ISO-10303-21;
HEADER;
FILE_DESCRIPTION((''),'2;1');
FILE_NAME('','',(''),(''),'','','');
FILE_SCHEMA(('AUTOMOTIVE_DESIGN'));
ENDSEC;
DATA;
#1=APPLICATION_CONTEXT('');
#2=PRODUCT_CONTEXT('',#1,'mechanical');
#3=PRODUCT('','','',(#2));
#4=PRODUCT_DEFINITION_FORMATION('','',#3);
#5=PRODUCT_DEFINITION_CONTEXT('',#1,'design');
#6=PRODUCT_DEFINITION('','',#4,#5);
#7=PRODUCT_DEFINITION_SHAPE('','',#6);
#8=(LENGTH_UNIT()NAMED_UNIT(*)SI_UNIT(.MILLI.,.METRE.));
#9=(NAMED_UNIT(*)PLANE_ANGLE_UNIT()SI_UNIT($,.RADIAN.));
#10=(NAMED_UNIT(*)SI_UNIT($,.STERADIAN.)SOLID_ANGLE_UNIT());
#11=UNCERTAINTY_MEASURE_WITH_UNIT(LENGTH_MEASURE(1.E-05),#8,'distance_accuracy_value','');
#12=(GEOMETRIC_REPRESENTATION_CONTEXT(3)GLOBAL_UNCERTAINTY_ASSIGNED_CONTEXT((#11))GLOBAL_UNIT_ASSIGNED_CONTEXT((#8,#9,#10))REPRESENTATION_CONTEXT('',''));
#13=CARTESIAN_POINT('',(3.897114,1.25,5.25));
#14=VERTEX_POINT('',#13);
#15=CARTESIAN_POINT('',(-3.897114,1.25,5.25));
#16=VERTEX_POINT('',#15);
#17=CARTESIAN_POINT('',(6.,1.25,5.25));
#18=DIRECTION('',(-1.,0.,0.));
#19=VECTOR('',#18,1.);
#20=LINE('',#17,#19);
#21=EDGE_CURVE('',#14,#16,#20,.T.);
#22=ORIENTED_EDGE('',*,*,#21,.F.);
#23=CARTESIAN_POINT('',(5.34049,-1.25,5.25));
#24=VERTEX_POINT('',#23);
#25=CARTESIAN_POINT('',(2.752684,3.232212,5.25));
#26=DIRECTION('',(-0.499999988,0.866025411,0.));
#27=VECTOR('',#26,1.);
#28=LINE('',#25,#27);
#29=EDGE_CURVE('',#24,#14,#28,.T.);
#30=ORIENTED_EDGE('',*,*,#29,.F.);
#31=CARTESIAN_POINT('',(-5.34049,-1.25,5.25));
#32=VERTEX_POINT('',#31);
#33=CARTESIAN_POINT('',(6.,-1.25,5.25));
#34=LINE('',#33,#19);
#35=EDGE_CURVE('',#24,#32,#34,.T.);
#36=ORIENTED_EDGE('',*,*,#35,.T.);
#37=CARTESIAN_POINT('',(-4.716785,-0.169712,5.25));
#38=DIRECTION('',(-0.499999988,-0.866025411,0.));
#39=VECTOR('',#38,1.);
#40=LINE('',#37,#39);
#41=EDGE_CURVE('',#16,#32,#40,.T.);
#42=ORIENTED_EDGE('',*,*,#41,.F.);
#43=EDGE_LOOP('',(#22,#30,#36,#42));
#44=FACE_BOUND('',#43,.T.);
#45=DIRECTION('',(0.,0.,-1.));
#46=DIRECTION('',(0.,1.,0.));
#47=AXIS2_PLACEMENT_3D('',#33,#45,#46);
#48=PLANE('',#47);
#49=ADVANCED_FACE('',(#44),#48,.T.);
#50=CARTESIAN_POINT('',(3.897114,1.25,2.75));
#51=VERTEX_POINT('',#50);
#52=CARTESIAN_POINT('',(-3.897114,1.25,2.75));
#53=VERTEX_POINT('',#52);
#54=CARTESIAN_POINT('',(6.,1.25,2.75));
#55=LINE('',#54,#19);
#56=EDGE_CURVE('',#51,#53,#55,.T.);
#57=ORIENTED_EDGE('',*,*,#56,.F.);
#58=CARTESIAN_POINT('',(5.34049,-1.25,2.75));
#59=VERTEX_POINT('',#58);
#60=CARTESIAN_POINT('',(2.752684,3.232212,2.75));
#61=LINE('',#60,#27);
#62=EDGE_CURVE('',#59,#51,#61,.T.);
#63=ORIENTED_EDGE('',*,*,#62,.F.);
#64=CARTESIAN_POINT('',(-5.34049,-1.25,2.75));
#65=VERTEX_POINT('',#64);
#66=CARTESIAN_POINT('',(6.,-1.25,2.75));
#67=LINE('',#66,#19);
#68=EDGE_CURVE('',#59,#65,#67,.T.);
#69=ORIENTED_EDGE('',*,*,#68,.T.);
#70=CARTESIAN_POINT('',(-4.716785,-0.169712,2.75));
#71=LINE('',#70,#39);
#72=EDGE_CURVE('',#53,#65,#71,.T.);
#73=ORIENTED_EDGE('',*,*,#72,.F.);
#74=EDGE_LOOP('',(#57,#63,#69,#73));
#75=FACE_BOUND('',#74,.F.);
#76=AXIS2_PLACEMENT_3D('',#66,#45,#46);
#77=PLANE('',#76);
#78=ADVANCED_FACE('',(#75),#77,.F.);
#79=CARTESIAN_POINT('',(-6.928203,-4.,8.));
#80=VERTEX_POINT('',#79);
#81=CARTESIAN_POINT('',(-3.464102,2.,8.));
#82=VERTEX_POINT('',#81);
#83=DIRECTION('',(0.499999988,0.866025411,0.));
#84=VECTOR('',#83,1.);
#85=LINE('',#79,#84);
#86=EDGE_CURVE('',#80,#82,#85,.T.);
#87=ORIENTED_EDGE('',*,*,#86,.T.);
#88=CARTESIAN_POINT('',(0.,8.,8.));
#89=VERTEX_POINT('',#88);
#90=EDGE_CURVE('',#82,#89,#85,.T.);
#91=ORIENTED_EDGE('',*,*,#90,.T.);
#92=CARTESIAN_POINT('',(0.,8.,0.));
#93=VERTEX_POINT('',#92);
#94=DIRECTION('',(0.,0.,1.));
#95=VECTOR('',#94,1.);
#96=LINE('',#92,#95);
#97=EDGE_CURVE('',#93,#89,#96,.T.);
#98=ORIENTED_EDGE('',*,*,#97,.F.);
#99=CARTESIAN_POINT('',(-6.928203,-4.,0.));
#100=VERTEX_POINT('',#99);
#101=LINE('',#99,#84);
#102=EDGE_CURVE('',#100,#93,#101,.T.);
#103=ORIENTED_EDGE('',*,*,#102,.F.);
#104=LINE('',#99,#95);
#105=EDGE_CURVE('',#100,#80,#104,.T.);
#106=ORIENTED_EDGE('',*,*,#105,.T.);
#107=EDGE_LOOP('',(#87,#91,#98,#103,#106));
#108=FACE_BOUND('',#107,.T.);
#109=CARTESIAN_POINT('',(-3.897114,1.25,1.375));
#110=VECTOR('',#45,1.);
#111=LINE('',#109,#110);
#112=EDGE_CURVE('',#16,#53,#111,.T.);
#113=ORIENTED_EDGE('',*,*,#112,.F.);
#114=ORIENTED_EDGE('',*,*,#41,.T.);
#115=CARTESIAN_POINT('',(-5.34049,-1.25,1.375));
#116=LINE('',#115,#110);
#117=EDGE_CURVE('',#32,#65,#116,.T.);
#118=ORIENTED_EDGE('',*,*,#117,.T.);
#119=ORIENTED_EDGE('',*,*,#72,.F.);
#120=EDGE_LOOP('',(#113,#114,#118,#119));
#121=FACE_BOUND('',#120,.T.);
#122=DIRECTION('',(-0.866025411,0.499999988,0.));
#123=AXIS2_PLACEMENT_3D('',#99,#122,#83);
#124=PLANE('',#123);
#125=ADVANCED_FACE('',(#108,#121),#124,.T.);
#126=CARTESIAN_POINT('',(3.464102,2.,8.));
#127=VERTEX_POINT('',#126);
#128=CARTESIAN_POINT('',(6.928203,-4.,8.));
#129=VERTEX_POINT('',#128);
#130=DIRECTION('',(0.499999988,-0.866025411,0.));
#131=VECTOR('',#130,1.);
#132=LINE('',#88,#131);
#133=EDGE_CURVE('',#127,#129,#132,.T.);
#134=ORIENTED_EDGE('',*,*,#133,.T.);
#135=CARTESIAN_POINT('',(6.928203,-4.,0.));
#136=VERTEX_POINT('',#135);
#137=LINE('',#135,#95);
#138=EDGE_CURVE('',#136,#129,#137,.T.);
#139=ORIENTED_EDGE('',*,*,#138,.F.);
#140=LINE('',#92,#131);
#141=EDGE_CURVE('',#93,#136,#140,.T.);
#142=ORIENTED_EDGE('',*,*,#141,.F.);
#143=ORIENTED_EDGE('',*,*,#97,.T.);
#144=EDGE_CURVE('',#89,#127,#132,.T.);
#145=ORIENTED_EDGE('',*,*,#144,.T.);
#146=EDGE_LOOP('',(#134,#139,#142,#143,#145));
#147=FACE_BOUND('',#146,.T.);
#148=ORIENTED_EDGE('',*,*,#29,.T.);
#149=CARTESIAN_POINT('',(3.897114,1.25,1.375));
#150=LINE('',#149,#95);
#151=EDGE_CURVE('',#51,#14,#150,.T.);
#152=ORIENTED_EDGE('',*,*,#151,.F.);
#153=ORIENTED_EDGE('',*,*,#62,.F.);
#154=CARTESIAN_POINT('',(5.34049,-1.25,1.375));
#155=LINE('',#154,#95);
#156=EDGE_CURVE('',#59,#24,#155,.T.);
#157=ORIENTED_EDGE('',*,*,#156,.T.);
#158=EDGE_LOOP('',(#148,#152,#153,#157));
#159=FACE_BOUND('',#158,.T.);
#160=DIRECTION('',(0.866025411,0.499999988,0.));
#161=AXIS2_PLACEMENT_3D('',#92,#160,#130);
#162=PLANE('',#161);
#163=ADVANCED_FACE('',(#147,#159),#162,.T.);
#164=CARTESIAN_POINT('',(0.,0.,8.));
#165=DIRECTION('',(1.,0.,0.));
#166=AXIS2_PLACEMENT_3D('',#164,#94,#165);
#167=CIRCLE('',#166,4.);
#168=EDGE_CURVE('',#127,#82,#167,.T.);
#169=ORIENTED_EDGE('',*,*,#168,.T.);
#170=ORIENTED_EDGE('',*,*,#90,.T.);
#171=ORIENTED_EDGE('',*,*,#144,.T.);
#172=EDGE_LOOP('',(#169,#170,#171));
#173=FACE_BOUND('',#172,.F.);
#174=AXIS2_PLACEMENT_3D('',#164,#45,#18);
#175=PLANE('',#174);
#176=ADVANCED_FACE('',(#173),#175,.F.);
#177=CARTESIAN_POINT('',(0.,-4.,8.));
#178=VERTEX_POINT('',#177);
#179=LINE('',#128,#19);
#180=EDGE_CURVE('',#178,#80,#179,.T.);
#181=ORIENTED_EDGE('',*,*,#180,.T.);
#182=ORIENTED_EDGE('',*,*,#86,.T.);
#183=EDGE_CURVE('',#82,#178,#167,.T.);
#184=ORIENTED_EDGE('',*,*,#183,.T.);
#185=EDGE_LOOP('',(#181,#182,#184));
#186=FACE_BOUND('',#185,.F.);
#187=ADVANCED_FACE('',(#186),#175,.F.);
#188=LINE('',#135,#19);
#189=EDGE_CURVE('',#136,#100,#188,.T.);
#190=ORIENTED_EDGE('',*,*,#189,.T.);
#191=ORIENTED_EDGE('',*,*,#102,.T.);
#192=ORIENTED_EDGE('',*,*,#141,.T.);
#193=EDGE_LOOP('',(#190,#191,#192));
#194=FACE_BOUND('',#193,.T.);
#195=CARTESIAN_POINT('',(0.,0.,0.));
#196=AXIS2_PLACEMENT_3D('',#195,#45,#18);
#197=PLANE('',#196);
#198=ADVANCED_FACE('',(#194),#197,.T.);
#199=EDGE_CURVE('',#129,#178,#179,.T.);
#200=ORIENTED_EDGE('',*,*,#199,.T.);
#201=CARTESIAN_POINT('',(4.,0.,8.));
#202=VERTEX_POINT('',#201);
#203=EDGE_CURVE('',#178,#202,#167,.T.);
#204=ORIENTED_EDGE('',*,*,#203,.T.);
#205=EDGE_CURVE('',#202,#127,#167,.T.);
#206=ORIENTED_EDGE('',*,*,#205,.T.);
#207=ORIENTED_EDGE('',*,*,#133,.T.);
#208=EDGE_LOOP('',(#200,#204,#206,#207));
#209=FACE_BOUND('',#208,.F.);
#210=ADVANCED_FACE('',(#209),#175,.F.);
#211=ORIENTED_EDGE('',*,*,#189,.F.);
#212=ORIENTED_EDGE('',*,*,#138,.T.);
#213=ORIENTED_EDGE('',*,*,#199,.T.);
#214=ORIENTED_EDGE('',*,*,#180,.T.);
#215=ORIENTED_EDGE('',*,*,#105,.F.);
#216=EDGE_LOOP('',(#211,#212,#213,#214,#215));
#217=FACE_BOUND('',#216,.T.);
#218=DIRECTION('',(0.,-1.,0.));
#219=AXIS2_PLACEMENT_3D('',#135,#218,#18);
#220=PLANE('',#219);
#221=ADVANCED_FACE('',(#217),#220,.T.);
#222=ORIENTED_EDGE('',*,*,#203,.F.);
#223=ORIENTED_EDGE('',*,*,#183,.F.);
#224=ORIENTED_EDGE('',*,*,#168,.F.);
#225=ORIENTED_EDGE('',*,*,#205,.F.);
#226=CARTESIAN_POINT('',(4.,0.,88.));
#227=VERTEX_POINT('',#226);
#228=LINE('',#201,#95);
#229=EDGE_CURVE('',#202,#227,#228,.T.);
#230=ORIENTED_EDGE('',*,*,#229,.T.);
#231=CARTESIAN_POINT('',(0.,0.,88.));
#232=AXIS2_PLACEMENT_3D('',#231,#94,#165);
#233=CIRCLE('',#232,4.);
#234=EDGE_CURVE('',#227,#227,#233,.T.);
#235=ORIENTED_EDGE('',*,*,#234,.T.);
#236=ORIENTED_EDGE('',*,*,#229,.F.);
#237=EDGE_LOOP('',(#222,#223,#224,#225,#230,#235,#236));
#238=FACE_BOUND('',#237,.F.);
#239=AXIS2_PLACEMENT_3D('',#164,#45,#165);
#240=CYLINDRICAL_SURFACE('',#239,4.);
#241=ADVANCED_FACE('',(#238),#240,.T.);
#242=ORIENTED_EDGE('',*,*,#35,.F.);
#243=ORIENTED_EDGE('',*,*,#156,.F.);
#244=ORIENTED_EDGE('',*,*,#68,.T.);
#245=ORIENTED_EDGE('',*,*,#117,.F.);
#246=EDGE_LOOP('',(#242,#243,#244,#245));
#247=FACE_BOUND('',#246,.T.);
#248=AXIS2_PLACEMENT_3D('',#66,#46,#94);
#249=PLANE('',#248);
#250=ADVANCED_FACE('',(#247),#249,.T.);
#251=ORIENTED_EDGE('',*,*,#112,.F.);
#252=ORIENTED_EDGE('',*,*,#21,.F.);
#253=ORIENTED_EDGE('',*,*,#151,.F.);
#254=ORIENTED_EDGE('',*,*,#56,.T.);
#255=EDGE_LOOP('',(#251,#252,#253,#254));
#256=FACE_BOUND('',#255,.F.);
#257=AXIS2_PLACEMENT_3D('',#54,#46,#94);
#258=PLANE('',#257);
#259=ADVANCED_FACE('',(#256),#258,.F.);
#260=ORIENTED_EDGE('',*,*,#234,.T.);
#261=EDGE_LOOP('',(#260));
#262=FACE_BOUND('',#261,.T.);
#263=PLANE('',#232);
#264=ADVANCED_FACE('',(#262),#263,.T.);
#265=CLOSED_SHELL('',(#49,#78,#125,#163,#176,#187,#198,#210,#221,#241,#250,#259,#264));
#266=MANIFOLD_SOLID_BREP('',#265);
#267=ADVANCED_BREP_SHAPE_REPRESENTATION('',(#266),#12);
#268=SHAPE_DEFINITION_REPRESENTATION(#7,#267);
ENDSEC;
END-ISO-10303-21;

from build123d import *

# Parameters (mm, degrees)
PAD_DEPTH    = 8
SKETCH002_W  = 2.5
SKETCH002_H  = 2.5
POCKET_DEPTH = 12.929203
SKETCH001_R  = 4
PAD001_DEPTH = 80


with BuildPart() as part:
    # Sketch → Pad (new body)
    with BuildSketch(Plane.XY):
        Polygon((-6.928203, -4), (0, 8), (6.928203, -4), align=None)
    extrude(amount=PAD_DEPTH)

    # Sketch002 (on DatumPlane) → Pocket (cut, through all)
    with BuildSketch(Plane(origin=(6, 0, 4), x_dir=(0, 1, 0), z_dir=(1, 0, 0))):
        Rectangle(SKETCH002_W, SKETCH002_H)
    extrude(amount=-POCKET_DEPTH, mode=Mode.SUBTRACT)

    # Sketch001 (on Local_CS) → Pad001 (join)
    with BuildSketch(Plane.XY.offset(8)):
        Circle(SKETCH001_R)
    extrude(amount=PAD001_DEPTH)


solid = part.part
